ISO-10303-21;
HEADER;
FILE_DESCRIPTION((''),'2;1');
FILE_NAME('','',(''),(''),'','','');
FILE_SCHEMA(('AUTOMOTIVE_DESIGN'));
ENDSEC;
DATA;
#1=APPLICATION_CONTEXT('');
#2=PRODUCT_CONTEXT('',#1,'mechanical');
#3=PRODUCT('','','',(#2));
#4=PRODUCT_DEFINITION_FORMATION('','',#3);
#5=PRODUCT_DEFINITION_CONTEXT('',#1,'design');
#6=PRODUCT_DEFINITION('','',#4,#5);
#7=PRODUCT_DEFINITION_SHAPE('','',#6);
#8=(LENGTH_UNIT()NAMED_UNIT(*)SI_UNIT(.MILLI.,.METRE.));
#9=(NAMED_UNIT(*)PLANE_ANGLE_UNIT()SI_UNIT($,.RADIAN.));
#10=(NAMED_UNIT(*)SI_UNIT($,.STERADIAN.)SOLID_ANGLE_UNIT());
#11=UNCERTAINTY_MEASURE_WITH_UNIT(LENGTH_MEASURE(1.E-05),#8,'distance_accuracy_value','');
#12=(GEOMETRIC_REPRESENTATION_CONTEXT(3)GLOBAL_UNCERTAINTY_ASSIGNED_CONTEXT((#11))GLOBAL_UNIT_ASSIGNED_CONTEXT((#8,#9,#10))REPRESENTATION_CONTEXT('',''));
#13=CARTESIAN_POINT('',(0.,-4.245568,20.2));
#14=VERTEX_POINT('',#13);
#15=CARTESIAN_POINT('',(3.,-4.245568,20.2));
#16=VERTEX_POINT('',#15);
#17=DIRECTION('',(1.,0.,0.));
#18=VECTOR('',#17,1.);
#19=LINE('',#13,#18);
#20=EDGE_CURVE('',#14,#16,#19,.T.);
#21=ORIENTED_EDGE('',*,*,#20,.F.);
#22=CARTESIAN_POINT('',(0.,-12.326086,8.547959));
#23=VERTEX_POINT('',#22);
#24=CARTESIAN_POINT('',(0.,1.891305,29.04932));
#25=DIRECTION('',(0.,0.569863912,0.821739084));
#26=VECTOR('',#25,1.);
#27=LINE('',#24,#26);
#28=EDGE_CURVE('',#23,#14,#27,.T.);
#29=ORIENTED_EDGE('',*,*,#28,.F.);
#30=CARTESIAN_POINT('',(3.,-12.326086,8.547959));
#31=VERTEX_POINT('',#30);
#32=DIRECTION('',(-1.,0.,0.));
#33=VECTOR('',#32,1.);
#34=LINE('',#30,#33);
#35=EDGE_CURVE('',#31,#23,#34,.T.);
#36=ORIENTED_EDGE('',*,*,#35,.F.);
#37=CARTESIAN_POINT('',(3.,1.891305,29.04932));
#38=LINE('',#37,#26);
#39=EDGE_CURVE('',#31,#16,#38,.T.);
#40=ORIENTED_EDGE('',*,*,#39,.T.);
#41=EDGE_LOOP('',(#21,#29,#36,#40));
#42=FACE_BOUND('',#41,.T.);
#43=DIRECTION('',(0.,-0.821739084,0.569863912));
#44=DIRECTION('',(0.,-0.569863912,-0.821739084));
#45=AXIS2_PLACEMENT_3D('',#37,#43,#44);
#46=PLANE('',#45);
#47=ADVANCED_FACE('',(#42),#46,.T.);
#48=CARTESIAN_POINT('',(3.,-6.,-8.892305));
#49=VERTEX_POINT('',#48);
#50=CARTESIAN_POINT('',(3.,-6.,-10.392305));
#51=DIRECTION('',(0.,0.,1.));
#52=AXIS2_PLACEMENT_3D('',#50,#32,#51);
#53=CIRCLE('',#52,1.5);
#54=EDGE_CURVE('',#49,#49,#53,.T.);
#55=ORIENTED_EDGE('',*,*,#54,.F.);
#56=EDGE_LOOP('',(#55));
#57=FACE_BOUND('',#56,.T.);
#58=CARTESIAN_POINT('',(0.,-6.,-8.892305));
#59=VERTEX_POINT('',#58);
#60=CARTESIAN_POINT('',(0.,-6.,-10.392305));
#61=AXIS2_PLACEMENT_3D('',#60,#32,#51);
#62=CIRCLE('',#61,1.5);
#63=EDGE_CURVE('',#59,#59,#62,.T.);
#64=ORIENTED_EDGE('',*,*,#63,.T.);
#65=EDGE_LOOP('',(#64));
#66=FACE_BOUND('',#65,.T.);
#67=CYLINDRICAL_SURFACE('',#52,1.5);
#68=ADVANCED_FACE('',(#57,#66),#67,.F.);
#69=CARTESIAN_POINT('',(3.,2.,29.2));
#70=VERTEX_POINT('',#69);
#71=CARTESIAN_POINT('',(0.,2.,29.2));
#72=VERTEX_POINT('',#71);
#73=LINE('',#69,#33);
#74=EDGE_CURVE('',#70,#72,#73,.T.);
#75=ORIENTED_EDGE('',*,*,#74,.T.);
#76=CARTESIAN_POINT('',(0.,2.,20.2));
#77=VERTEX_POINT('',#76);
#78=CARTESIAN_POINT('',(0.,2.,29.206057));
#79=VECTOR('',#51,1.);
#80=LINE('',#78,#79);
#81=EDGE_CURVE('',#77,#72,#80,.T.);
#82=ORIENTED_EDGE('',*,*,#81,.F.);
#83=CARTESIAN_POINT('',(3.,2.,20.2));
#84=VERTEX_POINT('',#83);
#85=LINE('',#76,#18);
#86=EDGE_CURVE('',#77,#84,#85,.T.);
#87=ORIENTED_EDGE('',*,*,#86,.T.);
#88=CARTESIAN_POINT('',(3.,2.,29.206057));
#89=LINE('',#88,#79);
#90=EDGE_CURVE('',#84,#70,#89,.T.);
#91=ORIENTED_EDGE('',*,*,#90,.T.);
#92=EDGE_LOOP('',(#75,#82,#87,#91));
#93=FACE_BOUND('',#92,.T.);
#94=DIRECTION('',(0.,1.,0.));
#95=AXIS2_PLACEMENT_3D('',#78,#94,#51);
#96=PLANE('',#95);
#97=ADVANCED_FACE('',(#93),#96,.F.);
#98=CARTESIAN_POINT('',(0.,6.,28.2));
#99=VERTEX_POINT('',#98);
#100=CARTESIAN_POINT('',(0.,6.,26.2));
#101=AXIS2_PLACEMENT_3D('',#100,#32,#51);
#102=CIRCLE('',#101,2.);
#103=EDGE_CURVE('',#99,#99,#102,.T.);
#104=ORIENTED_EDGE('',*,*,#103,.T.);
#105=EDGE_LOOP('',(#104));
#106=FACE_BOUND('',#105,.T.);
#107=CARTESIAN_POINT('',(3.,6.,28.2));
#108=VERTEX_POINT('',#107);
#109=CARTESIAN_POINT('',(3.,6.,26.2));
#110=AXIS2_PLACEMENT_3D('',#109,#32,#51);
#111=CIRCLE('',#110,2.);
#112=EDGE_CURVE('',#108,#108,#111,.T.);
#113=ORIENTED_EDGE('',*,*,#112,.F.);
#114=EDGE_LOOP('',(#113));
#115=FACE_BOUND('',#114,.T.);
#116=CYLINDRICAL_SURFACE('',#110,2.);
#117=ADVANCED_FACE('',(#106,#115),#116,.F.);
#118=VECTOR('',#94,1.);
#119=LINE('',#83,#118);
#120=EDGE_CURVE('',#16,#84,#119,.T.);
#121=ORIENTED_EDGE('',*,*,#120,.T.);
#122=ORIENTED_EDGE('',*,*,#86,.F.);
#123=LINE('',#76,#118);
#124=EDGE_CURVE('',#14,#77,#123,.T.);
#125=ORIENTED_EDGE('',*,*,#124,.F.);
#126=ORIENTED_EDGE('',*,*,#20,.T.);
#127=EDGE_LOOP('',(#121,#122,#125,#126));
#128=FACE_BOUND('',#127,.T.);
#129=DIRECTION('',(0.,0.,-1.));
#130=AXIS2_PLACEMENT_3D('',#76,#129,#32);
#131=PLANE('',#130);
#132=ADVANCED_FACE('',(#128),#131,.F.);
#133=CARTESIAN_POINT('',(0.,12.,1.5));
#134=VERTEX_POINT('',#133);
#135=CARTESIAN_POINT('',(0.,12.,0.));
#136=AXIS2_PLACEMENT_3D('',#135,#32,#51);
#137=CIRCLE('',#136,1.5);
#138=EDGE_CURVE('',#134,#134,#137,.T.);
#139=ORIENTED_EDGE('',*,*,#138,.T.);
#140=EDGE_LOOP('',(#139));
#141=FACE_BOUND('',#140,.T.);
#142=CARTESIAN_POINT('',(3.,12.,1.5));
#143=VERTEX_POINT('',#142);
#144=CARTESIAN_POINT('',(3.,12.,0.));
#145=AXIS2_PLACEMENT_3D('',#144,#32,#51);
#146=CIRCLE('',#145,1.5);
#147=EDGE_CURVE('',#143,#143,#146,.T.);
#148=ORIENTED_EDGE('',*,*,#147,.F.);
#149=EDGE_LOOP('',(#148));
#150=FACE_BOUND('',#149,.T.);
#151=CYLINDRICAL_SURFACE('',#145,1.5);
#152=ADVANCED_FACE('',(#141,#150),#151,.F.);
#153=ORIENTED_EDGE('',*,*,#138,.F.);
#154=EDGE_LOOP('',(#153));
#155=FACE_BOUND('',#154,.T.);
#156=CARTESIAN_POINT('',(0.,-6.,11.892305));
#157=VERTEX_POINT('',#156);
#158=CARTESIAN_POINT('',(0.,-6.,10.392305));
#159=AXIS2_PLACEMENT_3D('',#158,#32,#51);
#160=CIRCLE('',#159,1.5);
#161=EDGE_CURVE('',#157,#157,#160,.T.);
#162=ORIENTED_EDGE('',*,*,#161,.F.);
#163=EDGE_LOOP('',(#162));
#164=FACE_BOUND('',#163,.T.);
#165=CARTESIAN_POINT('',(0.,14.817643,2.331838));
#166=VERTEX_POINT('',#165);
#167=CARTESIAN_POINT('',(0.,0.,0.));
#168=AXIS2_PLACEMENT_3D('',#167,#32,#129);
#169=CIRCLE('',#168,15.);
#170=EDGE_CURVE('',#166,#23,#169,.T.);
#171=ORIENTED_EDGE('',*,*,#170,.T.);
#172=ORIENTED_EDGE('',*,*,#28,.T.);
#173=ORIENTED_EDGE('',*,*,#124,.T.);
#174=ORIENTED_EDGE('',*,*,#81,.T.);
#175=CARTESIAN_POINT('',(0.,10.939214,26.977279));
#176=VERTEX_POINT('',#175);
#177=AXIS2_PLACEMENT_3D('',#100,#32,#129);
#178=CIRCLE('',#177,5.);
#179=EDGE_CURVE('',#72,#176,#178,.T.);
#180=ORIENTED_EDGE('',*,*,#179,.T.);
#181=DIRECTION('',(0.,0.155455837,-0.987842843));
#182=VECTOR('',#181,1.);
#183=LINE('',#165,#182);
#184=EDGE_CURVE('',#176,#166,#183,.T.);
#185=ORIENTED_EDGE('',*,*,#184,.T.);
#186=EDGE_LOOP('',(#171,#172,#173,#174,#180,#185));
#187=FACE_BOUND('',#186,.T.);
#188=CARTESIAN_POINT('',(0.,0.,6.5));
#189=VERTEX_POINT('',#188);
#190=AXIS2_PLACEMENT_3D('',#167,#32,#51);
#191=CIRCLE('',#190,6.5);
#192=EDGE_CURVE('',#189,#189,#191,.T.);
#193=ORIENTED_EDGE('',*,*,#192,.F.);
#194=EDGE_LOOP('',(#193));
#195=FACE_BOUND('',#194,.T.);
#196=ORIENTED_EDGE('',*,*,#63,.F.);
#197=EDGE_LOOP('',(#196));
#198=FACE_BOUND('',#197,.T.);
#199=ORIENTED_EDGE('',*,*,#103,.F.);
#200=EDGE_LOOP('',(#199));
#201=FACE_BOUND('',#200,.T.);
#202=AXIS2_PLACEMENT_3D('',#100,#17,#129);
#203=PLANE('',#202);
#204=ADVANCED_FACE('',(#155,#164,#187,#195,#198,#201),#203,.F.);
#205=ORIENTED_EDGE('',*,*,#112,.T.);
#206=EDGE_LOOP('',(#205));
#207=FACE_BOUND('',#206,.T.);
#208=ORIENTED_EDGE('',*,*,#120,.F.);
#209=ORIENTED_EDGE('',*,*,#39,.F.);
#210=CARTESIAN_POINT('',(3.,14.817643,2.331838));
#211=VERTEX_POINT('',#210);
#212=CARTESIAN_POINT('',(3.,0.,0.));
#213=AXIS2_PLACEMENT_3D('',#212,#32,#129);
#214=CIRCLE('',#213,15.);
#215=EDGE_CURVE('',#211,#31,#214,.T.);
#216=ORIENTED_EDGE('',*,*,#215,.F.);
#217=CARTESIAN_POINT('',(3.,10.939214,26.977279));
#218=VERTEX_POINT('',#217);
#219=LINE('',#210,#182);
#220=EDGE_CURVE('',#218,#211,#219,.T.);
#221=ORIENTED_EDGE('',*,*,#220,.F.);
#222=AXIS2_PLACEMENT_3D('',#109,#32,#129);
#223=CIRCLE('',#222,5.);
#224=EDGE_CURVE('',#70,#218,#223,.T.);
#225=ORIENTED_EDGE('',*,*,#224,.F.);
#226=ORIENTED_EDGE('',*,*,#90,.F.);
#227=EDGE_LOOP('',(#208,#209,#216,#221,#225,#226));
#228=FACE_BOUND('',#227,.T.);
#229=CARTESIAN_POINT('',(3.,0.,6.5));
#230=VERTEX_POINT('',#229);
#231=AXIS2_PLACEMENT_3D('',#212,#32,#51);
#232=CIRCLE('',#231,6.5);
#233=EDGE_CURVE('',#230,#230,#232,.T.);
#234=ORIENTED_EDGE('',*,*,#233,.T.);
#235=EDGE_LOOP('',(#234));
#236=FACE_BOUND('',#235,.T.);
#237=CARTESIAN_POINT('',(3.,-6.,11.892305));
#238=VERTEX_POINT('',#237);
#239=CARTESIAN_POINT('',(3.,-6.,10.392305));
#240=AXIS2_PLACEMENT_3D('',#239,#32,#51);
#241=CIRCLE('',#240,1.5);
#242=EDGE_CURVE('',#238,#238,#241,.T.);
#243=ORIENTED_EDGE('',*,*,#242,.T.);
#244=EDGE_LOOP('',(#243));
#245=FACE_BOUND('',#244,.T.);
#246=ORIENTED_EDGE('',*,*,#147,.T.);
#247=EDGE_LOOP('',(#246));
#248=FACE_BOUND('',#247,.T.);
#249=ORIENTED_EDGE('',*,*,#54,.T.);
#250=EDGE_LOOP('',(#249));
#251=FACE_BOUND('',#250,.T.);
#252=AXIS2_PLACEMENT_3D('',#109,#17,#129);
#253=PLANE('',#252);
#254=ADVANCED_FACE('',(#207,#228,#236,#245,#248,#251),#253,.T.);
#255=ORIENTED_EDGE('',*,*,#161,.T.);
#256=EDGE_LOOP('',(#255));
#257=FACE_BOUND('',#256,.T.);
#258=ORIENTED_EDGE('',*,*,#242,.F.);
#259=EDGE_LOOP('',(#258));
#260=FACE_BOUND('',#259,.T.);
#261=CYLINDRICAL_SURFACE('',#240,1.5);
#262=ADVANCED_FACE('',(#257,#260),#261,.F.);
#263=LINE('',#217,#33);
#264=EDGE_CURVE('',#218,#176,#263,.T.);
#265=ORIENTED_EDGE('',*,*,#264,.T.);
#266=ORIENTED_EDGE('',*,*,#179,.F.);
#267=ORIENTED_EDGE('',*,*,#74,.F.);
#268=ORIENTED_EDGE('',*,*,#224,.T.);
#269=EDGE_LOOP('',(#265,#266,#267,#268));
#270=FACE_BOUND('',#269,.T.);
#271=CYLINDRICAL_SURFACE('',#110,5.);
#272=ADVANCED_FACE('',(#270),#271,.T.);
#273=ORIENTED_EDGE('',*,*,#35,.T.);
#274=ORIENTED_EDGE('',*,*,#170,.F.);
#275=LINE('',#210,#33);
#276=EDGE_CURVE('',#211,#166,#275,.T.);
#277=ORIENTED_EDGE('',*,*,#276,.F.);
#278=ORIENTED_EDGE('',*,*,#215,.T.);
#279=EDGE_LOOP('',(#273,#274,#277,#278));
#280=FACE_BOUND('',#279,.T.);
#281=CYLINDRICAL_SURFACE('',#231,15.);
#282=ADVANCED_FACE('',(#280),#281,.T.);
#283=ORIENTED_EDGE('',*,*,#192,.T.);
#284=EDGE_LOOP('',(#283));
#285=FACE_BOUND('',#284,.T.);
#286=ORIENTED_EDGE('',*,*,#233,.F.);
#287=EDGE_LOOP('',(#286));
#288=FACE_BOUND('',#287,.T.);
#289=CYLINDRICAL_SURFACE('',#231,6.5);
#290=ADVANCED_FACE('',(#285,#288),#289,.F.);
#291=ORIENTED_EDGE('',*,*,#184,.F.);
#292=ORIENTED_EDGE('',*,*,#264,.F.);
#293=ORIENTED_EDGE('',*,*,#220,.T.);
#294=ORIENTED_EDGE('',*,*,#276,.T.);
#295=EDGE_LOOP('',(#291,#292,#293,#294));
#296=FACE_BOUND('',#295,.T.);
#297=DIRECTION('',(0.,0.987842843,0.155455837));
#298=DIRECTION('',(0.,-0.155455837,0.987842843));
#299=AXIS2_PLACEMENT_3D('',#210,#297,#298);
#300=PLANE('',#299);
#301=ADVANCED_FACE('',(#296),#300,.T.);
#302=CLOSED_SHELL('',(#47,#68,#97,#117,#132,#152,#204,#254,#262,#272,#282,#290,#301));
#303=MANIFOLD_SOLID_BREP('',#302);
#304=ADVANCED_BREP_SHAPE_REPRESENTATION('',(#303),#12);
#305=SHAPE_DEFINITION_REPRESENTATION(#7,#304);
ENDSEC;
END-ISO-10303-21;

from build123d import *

# Parameters (mm, degrees)
ESQUISSE1_R             = 6.5
ESQUISSE1_R_2           = 1.5
ESQUISSE1_R_3           = 2
BOSS_EXTRU_1_DEPTH      = 3
ENL_V_MAT_EXTRU_1_DEPTH = 4


with BuildPart() as part:
    # Esquisse1 → Boss.-Extru.1 (new body)
    with BuildSketch(Plane.ZY):
        with BuildLine():
            Line((29.049319561, 1.891304582), (8.547958684, -12.326086254))
            ThreePointArc((8.547958684, -12.326086254), (-14.621490903, -3.348433031), (2.331837562, 14.817642646))
            Line((2.331837562, 14.817642646), (26.977279187, 10.939214215))
            ThreePointArc((26.977279187, 10.939214215), (31.073830301, 7.116144344), (29.049319561, 1.891304582))
        make_face()
        Circle(ESQUISSE1_R, mode=Mode.SUBTRACT)
        with Locations((-10.392304845, -6)):
            Circle(ESQUISSE1_R_2, mode=Mode.SUBTRACT)
        with Locations((0, 12)):
            Circle(ESQUISSE1_R_2, mode=Mode.SUBTRACT)
        with Locations((10.392304845, -6)):
            Circle(ESQUISSE1_R_2, mode=Mode.SUBTRACT)
        with Locations((26.2, 6)):
            Circle(ESQUISSE1_R_3, mode=Mode.SUBTRACT)
    extrude(amount=-BOSS_EXTRU_1_DEPTH)

    # Esquisse2 → Enlèv. mat.-Extru.1 (cut, through all)
    with BuildSketch(Plane(origin=(3, 0, 0), x_dir=(0, 0, -1), z_dir=(1, 0, 0))):
        Polygon((-29.206057462, 2), (-20.2, 2), (-20.2, -4.245567774), align=None)
    extrude(amount=-ENL_V_MAT_EXTRU_1_DEPTH, mode=Mode.SUBTRACT)


solid = part.part
